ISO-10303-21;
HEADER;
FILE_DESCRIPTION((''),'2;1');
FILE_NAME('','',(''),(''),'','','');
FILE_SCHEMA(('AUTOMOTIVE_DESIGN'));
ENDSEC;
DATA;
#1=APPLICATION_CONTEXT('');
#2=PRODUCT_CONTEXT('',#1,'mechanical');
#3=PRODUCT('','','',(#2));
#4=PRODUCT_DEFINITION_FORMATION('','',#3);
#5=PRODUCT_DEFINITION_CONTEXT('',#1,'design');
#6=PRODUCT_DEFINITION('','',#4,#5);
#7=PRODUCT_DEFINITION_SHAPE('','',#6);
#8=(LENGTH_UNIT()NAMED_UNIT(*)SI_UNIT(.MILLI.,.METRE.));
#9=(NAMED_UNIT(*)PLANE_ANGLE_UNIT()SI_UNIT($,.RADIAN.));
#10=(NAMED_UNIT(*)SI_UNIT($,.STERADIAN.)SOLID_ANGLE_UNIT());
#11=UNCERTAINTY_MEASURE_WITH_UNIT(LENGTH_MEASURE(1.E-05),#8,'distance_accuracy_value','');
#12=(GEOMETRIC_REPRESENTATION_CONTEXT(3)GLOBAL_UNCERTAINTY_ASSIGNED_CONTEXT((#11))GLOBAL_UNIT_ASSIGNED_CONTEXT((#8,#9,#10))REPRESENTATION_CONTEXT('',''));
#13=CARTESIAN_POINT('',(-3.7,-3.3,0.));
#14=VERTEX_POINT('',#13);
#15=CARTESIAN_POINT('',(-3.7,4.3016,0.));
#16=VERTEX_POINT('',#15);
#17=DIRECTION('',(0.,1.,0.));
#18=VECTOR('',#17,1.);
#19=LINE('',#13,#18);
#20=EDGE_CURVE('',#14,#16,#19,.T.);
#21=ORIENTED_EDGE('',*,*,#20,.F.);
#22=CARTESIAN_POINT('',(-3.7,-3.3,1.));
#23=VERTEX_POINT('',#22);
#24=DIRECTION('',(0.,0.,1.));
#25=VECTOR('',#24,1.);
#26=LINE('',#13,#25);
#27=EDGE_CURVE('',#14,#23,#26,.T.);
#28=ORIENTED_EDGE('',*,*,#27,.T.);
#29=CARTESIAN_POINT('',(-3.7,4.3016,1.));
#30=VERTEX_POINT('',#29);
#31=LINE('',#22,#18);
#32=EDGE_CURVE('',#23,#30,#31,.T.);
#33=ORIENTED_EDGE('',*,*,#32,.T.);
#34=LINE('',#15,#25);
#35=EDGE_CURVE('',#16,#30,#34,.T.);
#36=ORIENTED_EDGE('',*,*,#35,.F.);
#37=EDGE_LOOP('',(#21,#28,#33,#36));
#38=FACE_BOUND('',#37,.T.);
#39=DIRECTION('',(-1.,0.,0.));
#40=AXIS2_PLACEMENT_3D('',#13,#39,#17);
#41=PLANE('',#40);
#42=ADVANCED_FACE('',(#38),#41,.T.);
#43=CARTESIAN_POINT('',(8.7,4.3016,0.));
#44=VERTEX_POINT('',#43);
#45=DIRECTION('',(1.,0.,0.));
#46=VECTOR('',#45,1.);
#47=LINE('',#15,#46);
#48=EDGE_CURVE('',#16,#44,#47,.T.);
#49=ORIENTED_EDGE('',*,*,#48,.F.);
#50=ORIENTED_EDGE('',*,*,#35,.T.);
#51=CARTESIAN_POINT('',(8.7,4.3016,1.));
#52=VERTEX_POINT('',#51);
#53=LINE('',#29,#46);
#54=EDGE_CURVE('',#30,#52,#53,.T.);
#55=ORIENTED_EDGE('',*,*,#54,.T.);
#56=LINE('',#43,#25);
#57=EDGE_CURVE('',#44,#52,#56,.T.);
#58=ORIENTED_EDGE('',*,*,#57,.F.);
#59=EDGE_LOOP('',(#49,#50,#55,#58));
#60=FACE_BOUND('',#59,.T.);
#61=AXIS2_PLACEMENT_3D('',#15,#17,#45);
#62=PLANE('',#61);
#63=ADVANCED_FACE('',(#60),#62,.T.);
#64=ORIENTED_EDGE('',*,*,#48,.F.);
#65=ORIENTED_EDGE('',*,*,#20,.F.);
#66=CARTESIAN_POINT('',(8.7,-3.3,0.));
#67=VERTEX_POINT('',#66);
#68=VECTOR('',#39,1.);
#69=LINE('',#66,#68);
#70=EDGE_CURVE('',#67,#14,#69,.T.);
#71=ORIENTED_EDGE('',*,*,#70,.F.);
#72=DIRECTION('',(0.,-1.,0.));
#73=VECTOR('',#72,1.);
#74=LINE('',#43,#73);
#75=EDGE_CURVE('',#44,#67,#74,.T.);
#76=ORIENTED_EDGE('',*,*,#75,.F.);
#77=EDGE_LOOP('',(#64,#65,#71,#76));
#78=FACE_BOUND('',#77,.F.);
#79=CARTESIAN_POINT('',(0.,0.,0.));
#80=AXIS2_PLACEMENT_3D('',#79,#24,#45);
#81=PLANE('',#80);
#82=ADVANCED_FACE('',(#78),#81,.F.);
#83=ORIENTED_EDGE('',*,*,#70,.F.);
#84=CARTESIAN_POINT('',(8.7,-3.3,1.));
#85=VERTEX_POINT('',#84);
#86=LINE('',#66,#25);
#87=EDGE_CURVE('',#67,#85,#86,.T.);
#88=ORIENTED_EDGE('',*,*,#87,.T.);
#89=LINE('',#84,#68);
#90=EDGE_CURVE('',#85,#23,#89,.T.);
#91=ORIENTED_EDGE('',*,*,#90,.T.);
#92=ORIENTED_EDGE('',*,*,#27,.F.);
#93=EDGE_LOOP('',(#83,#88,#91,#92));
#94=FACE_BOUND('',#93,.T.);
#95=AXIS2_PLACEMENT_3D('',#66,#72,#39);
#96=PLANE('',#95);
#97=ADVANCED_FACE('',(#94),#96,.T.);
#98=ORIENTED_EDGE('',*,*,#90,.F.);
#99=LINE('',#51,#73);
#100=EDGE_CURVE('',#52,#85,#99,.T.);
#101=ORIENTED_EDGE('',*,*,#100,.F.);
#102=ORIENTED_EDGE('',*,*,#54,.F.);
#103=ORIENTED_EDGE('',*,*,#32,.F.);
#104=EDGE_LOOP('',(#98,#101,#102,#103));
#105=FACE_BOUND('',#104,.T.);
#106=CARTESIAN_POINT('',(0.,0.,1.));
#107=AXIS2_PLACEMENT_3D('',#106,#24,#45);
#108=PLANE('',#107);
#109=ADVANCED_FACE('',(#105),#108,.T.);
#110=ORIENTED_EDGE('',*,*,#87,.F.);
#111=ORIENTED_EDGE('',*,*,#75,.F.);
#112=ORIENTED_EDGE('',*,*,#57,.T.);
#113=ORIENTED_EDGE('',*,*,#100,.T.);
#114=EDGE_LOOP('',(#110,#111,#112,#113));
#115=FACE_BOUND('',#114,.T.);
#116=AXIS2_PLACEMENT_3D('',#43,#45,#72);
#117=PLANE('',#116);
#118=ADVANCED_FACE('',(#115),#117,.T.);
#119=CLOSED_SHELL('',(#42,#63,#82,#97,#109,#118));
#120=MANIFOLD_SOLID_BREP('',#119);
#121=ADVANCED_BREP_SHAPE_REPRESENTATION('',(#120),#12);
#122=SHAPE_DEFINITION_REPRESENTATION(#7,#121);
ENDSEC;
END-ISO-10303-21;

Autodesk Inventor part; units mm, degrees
ref_plane "YZ Plane" through (0, 0, 0) normal (1, 0, 0) x (0, 1, 0)
ref_plane "XZ Plane" through (0, 0, 0) normal (0, 1, 0) x (-1, 0, 0)
ref_plane "XY Plane" through (0, 0, 0) normal (0, 0, 1) x (1, 0, 0)
sketch "SCREWTERMINAL-5MM-2, J1_SCREWTERMINAL-5MM-2_4" plane through (0, 0, 0) normal (0, 0, 1) x (1, 0, 0)
  line L0 (-3.7, 4.3016) -> (8.7, 4.3016)
  line L1 (8.7, 4.3016) -> (8.7, -3.3)
  line L2 (8.7, -3.3) -> (-3.7, -3.3)
  line L3 (-3.7, -3.3) -> (-3.7, 4.3016)
extrude "Выдавливание1" add sketch "SCREWTERMINAL-5MM-2, J1_SCREWTERMINAL-5MM-2_4" along normal blind 1
properties part number "J1_SCREWTERMINAL-5MM-2"
